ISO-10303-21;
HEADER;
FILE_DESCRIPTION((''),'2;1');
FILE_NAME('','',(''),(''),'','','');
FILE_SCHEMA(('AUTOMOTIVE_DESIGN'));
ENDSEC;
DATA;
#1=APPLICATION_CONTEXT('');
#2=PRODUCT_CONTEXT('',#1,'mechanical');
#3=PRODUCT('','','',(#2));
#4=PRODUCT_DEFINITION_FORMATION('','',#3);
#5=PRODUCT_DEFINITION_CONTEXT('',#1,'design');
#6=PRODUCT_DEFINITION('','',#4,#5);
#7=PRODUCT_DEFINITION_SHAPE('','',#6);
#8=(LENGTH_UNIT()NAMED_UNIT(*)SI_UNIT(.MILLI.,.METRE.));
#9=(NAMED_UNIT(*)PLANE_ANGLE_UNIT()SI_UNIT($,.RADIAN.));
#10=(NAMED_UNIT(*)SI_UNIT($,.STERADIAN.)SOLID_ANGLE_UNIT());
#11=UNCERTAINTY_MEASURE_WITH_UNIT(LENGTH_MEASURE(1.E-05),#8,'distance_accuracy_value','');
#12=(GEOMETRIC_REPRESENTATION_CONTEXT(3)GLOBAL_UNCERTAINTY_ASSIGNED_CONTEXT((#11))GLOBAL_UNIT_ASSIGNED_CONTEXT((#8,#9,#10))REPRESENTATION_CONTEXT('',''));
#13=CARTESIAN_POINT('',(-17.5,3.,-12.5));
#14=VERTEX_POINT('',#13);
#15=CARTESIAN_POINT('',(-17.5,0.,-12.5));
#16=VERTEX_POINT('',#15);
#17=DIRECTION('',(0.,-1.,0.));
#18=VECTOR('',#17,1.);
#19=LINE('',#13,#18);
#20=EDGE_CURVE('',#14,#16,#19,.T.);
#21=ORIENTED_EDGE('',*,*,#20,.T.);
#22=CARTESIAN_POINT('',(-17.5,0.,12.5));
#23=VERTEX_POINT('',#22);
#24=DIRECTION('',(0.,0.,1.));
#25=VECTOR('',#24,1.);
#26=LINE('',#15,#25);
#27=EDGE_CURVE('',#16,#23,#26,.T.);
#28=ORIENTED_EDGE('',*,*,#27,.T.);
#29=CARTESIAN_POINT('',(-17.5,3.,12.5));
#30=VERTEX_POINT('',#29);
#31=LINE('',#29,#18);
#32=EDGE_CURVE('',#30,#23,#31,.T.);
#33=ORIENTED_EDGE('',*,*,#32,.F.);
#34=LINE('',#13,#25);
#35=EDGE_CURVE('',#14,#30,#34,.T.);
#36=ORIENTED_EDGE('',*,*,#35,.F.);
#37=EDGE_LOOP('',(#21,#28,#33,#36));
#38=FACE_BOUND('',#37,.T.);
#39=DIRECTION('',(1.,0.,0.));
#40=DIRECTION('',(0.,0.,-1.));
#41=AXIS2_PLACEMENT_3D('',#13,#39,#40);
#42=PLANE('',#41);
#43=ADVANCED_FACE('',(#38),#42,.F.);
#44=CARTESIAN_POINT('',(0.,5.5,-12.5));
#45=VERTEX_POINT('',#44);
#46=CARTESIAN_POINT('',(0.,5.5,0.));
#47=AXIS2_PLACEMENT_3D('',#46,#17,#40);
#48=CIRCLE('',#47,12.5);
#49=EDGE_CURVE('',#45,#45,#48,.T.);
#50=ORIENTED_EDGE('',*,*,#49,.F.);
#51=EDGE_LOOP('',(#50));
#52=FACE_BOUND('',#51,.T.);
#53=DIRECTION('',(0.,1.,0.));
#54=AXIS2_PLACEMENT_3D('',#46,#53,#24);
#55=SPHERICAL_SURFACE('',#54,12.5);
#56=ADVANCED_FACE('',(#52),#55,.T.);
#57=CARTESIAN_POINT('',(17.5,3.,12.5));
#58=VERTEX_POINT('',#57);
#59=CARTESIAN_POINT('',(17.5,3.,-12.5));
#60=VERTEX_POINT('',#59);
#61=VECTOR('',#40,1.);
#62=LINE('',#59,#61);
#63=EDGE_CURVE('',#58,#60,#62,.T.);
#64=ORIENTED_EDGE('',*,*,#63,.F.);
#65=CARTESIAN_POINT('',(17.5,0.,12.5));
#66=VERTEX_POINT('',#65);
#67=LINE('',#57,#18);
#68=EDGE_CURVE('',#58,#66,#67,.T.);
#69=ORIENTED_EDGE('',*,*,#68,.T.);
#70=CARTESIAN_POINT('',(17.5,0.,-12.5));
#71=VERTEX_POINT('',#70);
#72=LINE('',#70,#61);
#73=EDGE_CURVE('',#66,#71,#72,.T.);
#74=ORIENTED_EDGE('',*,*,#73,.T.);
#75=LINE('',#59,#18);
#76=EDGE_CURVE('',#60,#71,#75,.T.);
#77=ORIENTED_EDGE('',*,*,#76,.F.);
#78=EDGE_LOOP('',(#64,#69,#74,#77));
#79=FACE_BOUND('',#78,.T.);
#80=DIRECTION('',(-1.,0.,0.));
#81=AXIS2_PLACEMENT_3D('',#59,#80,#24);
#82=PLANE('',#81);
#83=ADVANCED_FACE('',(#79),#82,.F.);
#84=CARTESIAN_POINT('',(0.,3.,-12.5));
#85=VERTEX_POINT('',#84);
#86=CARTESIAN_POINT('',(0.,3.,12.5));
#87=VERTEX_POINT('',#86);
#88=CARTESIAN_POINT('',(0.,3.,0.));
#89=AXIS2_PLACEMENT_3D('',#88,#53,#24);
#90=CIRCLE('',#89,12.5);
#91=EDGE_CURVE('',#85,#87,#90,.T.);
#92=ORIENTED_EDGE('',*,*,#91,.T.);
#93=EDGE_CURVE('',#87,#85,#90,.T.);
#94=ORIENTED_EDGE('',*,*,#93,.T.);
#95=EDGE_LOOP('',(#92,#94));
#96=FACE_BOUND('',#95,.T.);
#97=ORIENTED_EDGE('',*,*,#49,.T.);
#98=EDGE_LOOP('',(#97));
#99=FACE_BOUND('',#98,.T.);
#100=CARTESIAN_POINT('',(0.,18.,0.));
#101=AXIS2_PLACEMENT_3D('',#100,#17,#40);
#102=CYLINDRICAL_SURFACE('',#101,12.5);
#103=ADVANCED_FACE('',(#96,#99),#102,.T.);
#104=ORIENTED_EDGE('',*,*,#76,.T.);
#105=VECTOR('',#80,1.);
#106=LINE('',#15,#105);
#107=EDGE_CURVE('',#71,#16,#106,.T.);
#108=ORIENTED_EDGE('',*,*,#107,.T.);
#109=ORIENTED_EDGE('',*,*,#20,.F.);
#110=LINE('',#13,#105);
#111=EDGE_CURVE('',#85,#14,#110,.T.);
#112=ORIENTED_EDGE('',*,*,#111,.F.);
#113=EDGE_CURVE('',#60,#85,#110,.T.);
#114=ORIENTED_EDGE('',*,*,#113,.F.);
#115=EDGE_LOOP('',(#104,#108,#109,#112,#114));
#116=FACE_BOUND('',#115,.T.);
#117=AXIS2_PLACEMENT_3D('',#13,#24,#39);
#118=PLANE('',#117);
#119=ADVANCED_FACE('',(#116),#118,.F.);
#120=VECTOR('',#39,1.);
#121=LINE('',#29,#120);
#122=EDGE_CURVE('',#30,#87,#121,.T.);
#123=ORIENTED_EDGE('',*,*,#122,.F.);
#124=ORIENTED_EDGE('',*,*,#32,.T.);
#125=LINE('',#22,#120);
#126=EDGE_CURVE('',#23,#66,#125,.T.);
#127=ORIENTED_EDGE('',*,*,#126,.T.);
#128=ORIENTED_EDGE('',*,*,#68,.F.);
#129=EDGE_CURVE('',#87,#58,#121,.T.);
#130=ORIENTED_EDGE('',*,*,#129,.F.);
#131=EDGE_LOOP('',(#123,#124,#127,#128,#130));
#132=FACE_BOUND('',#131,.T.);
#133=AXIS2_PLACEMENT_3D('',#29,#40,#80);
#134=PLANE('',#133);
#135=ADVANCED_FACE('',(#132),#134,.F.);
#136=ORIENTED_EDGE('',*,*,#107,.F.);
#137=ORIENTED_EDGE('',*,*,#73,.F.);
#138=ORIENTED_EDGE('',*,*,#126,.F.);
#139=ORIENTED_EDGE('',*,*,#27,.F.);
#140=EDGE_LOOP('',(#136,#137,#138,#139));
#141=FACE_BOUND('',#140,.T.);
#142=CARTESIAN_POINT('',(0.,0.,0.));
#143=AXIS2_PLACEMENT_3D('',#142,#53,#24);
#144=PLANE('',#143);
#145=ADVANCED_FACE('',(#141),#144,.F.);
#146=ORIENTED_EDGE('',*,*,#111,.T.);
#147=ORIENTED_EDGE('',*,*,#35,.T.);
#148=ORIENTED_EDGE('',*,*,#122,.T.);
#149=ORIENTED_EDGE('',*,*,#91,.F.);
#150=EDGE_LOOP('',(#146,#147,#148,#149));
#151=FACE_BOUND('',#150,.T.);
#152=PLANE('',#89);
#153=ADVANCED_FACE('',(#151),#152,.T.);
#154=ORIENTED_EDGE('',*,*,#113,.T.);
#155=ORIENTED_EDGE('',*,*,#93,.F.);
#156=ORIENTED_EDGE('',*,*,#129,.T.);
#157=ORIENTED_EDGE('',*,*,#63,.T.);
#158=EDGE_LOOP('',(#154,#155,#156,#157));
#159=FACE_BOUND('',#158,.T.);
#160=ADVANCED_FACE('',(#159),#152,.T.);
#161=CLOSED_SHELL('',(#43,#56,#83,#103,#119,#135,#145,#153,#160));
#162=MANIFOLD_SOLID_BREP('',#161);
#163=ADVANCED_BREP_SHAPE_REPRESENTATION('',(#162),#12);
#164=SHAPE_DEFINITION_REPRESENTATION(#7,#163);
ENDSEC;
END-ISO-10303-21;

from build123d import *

# Parameters (mm, degrees)
CROQUIS3_W              = 35
CROQUIS3_H              = 25
SALIENTE_EXTRUIR1_DEPTH = 3
CROQUIS4_R              = 12.5
SALIENTE_EXTRUIR2_DEPTH = 15
REDONDEO1_R             = 12.5


with BuildPart() as part:
    # Croquis3 → Saliente-Extruir1 (new body)
    with BuildSketch(Plane(origin=(0, 0, 0), x_dir=(1, 0, 0), z_dir=(0, 1, 0))):
        Rectangle(CROQUIS3_W, CROQUIS3_H)
    extrude(amount=SALIENTE_EXTRUIR1_DEPTH)

    # Croquis4 → Saliente-Extruir2 (add)
    with BuildSketch(Plane(origin=(0, 3, 0), x_dir=(1, 0, 0), z_dir=(0, 1, 0))):
        with Locations(Location((0, 0, 0), (0, 0, 270))):
            Circle(CROQUIS4_R)
    extrude(amount=SALIENTE_EXTRUIR2_DEPTH)

    # Redondeo1
    redondeo1_edges = [part.edges().sort_by_distance(p)[0] for p in [
        (0, 18, -12.5),
    ]]
    fillet(redondeo1_edges, radius=REDONDEO1_R)


solid = part.part
